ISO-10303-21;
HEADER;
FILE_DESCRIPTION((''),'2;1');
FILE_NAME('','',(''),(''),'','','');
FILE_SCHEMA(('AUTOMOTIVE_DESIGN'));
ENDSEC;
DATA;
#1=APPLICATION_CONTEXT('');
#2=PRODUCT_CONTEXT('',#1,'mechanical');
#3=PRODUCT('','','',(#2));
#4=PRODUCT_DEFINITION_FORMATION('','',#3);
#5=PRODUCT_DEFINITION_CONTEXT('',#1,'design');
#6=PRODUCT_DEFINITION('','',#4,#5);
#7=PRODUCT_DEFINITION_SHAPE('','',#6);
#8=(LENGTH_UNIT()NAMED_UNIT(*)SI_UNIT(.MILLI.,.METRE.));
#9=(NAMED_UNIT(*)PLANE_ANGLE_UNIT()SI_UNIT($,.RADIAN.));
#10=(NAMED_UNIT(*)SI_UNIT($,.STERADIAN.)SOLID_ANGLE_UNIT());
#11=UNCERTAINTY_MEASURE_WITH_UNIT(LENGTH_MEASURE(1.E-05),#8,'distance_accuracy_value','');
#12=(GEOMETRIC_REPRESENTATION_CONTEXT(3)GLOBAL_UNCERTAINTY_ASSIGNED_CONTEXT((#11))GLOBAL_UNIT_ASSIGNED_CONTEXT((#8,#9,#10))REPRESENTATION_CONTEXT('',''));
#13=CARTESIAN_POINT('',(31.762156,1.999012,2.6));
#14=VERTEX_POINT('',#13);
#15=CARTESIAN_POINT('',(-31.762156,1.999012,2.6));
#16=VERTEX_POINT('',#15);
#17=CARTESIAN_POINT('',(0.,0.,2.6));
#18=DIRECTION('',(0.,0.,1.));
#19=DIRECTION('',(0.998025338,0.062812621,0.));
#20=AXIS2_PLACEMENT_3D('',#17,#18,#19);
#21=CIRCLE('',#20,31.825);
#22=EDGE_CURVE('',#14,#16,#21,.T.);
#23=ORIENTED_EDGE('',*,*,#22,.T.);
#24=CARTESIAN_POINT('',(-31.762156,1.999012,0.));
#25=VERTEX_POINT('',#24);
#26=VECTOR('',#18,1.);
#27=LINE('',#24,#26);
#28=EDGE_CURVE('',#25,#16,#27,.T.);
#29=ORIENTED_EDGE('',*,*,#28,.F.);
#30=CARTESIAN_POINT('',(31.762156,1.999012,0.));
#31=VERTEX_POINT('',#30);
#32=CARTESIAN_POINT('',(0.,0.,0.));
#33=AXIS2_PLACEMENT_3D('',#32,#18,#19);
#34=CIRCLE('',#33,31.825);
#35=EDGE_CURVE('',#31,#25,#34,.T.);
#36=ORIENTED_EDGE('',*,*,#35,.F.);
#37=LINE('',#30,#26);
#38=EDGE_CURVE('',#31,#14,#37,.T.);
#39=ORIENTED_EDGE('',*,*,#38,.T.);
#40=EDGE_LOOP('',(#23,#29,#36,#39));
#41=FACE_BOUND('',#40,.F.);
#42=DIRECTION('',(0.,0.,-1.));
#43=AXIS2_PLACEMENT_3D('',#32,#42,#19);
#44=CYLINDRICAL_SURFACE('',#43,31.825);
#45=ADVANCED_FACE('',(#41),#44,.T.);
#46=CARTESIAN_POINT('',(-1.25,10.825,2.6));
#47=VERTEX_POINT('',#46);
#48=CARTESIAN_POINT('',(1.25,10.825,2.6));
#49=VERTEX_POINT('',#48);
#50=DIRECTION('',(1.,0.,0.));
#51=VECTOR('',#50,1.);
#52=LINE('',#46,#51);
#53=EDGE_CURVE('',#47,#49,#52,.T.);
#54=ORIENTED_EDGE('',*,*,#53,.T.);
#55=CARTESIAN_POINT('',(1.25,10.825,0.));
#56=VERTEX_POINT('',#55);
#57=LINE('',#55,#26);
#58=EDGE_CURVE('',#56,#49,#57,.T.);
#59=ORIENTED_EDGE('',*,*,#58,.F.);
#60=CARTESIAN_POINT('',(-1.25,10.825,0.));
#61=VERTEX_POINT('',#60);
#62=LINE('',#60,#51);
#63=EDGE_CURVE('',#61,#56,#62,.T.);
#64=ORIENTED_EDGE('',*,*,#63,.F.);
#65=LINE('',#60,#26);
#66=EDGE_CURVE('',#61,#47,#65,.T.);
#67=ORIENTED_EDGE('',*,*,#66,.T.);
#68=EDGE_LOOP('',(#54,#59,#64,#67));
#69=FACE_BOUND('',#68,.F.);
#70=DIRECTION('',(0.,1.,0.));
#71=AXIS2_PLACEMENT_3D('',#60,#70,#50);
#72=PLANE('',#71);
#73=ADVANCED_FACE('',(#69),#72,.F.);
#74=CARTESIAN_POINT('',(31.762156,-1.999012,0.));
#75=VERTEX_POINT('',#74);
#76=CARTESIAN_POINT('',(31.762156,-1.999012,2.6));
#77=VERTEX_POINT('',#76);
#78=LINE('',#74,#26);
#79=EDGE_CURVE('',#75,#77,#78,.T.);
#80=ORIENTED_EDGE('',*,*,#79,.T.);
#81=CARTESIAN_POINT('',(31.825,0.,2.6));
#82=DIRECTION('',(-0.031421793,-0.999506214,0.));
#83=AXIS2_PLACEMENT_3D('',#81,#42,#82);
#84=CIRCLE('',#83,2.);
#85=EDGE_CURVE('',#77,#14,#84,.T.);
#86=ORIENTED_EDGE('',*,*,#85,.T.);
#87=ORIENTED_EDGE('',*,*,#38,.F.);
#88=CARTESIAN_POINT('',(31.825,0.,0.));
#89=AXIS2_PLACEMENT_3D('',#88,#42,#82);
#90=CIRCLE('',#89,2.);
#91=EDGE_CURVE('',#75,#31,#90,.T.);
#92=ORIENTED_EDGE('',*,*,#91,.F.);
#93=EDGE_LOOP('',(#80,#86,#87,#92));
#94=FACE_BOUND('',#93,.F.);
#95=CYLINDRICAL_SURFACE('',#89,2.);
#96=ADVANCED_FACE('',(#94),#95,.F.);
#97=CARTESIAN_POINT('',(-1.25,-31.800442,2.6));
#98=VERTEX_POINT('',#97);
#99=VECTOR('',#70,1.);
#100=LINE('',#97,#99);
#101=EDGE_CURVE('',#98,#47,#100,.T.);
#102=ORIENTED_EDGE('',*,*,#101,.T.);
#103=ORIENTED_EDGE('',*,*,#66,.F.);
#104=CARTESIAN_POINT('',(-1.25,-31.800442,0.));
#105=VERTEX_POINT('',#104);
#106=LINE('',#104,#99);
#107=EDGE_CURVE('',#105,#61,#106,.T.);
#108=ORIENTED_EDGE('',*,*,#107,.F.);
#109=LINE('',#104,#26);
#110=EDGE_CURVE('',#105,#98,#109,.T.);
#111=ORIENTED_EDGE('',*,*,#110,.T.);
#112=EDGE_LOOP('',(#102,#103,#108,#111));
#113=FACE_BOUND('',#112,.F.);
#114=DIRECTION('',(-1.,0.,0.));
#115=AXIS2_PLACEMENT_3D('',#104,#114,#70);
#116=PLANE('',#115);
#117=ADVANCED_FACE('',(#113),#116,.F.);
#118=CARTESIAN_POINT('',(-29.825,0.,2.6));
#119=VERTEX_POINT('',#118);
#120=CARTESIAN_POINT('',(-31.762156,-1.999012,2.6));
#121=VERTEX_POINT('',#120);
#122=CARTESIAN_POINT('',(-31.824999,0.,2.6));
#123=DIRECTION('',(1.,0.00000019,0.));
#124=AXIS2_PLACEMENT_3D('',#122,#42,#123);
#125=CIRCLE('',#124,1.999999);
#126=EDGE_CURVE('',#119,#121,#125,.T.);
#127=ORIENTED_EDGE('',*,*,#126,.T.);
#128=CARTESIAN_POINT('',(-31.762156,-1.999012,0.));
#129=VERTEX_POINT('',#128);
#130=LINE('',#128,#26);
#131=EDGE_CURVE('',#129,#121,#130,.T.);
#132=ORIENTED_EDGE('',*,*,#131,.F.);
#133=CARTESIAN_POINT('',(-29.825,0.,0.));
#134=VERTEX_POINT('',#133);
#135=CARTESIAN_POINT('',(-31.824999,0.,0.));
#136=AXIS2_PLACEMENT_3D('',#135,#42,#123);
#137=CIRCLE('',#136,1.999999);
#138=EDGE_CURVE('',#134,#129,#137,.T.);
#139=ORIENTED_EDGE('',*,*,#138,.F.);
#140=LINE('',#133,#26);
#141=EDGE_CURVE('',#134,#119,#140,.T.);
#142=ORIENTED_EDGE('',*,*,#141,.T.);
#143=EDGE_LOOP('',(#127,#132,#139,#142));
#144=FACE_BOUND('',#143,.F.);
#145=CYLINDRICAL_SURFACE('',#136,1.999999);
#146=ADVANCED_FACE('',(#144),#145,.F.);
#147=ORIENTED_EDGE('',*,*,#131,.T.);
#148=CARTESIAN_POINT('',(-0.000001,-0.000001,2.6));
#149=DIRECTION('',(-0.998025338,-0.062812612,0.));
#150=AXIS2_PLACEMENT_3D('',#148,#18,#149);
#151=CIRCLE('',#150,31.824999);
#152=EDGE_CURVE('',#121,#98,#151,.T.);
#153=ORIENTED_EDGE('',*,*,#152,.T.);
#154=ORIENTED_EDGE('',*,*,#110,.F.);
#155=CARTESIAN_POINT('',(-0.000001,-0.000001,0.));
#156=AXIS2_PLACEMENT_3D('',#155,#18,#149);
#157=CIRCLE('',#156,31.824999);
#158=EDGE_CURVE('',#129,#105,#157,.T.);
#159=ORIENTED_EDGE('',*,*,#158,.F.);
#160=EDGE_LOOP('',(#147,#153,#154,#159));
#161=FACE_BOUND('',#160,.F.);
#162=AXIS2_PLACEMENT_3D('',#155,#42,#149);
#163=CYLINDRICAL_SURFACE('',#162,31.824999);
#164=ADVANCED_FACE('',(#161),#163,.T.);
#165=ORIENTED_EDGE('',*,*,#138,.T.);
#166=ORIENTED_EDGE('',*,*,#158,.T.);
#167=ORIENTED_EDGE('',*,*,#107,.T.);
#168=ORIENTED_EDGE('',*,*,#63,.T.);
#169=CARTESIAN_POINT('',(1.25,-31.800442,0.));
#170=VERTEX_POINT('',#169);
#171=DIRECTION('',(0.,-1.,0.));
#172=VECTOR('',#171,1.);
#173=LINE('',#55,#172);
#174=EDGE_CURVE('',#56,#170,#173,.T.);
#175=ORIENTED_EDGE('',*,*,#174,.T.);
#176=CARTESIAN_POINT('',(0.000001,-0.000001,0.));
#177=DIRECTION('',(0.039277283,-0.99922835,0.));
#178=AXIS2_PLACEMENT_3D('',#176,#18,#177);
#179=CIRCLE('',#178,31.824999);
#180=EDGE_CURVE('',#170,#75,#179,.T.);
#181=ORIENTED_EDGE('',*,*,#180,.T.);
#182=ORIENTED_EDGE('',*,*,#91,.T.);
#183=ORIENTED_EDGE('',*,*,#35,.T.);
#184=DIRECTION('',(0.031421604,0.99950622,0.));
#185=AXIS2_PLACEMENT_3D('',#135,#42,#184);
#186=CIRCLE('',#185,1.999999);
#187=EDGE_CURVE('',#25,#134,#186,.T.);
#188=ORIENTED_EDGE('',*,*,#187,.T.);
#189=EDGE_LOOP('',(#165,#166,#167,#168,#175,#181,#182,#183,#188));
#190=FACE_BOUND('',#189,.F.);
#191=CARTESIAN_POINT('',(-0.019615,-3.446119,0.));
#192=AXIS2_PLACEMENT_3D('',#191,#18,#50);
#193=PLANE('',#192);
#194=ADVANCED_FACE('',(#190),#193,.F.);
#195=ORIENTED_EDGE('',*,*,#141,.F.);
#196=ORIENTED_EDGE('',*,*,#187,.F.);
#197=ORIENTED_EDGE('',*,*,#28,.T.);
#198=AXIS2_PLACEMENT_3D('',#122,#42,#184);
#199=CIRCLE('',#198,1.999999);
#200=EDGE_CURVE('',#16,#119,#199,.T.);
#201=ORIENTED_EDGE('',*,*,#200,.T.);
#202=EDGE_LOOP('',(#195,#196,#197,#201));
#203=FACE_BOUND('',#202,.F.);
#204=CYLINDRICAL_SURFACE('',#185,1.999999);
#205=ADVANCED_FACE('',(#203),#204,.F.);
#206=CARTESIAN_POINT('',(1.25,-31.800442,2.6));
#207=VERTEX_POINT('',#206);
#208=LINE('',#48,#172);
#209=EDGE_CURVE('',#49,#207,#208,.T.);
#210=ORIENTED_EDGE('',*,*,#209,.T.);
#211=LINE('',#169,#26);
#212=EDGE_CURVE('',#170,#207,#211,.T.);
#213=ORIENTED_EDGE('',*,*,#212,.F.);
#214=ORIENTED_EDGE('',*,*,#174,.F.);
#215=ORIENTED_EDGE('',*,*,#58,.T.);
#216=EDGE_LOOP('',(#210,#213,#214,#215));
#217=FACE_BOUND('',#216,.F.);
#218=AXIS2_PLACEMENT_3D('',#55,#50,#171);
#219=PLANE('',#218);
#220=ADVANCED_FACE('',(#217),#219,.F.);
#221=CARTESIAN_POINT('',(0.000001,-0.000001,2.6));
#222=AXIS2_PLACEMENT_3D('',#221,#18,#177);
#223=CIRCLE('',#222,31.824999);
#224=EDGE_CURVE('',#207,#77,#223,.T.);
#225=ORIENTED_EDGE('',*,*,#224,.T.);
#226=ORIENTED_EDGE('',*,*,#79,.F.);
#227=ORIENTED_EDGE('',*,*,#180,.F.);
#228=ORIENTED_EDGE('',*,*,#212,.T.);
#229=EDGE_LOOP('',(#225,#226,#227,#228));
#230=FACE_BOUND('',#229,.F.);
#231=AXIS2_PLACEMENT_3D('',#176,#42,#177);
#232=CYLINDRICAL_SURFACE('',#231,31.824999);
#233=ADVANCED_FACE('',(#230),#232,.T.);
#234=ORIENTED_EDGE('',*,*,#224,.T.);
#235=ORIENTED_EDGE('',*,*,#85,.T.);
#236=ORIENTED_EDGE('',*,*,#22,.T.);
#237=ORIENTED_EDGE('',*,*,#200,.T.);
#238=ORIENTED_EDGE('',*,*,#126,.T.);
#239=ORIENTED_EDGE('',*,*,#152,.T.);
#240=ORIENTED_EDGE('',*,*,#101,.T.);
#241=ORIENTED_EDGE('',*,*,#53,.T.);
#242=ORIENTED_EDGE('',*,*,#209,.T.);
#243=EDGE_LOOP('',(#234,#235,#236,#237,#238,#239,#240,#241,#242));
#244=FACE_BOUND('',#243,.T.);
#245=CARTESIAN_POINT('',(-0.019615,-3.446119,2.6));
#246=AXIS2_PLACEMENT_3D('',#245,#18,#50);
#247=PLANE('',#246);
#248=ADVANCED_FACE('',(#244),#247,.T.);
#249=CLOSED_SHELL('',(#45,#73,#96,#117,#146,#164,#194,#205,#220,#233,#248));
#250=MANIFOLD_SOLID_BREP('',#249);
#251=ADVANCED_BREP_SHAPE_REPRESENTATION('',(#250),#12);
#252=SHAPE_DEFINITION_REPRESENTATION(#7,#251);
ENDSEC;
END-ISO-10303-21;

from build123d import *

# Parameters (mm, degrees)
F1_DEPTH = 2.6


with BuildPart() as f1:
    # F0 (on Top) → F1 (new body)
    with BuildSketch(Plane.XY):
        with BuildLine():
            ThreePointArc((31.762156, -1.999012), (29.825, 0), (31.762156, 1.999012))
            ThreePointArc((31.762156, 1.999012), (0, 31.825), (-31.762156, 1.999012))
            ThreePointArc((-31.762156, 1.999012), (-30.38874, 1.391818), (-29.825, 0))
            ThreePointArc((-29.825, 0), (-30.38874, -1.391818), (-31.762156, -1.999012))
            ThreePointArc((-31.762156, -1.999012), (-22.236949, -22.767273), (-1.25, -31.800442))
            Line((-1.25, -31.800442), (-1.25, 10.825))
            Line((-1.25, 10.825), (1.25, 10.825))
            Line((1.25, 10.825), (1.25, -31.800442))
            ThreePointArc((1.25, -31.800442), (22.236949, -22.767273), (31.762156, -1.999012))
        make_face()
    extrude(amount=F1_DEPTH)


solid = f1.part
